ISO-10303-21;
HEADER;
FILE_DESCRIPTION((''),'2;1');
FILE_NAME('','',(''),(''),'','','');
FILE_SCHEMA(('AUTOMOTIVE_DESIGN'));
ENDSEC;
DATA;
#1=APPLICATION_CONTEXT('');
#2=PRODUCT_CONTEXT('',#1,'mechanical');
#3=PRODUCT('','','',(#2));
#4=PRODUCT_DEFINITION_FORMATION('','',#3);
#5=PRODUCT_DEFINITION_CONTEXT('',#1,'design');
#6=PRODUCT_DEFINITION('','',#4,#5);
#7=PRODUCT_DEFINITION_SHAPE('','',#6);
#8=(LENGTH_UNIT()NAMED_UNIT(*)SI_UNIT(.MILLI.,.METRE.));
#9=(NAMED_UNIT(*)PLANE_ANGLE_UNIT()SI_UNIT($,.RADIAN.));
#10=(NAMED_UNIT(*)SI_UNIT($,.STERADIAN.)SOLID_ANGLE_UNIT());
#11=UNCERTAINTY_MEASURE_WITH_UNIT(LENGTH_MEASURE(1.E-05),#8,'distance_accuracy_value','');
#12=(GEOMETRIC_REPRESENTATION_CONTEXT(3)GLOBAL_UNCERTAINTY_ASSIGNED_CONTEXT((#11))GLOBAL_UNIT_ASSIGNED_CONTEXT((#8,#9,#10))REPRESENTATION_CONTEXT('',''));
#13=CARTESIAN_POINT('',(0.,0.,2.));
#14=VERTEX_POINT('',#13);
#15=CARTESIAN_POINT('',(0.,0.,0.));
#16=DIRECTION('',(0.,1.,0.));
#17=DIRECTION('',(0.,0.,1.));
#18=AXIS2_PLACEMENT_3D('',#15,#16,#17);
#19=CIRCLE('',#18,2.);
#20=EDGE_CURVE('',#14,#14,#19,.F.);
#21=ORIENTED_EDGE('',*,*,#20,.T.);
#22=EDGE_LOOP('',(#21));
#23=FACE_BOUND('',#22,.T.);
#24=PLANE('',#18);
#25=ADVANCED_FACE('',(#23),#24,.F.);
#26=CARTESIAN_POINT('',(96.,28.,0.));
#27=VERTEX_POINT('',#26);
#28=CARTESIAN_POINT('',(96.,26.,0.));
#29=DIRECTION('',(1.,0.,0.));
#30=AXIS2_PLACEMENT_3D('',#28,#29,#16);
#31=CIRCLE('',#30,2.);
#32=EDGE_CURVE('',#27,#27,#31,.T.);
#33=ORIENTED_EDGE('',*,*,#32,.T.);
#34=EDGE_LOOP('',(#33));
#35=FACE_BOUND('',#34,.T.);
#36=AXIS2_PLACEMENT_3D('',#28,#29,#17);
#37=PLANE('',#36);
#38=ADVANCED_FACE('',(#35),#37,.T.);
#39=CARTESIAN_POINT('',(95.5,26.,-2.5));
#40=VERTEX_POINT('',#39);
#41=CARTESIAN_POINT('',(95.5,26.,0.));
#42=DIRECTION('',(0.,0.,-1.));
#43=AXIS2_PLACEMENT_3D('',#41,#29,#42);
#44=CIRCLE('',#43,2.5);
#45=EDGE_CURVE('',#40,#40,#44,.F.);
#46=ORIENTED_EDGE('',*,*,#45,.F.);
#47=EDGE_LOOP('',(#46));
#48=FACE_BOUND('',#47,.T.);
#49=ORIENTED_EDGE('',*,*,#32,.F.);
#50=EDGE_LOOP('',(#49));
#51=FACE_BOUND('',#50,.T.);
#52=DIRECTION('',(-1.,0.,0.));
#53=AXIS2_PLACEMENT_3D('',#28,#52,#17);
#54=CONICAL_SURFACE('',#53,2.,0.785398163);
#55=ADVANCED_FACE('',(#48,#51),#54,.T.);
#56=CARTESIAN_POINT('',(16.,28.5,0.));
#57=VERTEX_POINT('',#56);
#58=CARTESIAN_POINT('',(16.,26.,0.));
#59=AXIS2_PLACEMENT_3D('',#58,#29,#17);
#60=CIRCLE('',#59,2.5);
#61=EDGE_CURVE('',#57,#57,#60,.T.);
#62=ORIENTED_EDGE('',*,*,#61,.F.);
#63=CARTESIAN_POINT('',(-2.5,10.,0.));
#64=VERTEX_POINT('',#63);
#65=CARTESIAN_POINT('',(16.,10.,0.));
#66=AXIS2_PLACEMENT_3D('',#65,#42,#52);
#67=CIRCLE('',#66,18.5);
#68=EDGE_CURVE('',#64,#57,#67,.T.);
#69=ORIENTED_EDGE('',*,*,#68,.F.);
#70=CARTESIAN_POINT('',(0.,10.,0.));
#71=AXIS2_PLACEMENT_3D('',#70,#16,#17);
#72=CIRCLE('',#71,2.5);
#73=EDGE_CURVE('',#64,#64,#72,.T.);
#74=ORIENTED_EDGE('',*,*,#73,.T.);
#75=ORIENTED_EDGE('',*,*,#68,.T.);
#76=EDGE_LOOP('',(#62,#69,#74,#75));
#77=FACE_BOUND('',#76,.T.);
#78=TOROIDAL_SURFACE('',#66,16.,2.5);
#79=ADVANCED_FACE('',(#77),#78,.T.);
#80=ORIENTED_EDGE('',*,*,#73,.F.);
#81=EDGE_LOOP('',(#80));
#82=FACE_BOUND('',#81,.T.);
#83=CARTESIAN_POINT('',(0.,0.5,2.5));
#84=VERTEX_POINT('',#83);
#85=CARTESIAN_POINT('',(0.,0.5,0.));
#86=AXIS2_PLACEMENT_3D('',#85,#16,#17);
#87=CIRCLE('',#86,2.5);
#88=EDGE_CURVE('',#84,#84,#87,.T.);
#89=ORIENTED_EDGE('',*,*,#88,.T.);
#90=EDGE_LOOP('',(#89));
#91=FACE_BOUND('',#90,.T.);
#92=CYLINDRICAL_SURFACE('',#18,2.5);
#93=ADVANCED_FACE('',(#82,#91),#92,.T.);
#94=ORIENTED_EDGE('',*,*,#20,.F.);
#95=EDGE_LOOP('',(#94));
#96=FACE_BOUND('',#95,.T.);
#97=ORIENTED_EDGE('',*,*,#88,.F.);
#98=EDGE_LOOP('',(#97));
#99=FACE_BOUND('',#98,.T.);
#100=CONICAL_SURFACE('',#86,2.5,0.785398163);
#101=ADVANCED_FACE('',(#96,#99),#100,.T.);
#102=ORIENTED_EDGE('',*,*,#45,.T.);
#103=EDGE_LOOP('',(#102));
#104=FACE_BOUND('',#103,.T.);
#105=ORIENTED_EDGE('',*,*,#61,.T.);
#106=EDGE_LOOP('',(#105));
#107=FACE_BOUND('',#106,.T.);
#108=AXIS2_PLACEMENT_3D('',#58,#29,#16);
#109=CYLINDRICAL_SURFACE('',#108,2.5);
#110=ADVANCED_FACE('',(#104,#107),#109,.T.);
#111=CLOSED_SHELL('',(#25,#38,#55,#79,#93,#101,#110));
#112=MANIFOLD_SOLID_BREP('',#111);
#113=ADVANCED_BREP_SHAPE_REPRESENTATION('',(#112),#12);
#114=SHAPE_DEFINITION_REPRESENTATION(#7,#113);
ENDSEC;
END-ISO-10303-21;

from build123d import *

# Parameters (mm, degrees)
SKETCH1_R     = 2.5
CHAMFER1_SIZE = 0.5


with BuildPart() as part:
    # Sweep1: sweep along a path in Sketch2
    with BuildLine(Plane.XY) as sweep1_path:
        Line((0, 0), (0, 10))
        ThreePointArc((0, 10), (4.686291501, 21.313708499), (16, 26))
        Line((16, 26), (96, 26))
    # Sketch1 → Sweep1 (sweep)
    with BuildSketch(Plane(origin=(0, 0, 0), x_dir=(1, 0, 0), z_dir=(0, 1, 0))):
        Circle(SKETCH1_R)
    sweep(path=sweep1_path.line)

    # Chamfer1
    chamfer1_edges = [part.edges().sort_by_distance(p)[0] for p in [
        (96, 28.5, 0),
        (-2.5, 0, 0),
    ]]
    chamfer(chamfer1_edges, length=CHAMFER1_SIZE)


solid = part.part
